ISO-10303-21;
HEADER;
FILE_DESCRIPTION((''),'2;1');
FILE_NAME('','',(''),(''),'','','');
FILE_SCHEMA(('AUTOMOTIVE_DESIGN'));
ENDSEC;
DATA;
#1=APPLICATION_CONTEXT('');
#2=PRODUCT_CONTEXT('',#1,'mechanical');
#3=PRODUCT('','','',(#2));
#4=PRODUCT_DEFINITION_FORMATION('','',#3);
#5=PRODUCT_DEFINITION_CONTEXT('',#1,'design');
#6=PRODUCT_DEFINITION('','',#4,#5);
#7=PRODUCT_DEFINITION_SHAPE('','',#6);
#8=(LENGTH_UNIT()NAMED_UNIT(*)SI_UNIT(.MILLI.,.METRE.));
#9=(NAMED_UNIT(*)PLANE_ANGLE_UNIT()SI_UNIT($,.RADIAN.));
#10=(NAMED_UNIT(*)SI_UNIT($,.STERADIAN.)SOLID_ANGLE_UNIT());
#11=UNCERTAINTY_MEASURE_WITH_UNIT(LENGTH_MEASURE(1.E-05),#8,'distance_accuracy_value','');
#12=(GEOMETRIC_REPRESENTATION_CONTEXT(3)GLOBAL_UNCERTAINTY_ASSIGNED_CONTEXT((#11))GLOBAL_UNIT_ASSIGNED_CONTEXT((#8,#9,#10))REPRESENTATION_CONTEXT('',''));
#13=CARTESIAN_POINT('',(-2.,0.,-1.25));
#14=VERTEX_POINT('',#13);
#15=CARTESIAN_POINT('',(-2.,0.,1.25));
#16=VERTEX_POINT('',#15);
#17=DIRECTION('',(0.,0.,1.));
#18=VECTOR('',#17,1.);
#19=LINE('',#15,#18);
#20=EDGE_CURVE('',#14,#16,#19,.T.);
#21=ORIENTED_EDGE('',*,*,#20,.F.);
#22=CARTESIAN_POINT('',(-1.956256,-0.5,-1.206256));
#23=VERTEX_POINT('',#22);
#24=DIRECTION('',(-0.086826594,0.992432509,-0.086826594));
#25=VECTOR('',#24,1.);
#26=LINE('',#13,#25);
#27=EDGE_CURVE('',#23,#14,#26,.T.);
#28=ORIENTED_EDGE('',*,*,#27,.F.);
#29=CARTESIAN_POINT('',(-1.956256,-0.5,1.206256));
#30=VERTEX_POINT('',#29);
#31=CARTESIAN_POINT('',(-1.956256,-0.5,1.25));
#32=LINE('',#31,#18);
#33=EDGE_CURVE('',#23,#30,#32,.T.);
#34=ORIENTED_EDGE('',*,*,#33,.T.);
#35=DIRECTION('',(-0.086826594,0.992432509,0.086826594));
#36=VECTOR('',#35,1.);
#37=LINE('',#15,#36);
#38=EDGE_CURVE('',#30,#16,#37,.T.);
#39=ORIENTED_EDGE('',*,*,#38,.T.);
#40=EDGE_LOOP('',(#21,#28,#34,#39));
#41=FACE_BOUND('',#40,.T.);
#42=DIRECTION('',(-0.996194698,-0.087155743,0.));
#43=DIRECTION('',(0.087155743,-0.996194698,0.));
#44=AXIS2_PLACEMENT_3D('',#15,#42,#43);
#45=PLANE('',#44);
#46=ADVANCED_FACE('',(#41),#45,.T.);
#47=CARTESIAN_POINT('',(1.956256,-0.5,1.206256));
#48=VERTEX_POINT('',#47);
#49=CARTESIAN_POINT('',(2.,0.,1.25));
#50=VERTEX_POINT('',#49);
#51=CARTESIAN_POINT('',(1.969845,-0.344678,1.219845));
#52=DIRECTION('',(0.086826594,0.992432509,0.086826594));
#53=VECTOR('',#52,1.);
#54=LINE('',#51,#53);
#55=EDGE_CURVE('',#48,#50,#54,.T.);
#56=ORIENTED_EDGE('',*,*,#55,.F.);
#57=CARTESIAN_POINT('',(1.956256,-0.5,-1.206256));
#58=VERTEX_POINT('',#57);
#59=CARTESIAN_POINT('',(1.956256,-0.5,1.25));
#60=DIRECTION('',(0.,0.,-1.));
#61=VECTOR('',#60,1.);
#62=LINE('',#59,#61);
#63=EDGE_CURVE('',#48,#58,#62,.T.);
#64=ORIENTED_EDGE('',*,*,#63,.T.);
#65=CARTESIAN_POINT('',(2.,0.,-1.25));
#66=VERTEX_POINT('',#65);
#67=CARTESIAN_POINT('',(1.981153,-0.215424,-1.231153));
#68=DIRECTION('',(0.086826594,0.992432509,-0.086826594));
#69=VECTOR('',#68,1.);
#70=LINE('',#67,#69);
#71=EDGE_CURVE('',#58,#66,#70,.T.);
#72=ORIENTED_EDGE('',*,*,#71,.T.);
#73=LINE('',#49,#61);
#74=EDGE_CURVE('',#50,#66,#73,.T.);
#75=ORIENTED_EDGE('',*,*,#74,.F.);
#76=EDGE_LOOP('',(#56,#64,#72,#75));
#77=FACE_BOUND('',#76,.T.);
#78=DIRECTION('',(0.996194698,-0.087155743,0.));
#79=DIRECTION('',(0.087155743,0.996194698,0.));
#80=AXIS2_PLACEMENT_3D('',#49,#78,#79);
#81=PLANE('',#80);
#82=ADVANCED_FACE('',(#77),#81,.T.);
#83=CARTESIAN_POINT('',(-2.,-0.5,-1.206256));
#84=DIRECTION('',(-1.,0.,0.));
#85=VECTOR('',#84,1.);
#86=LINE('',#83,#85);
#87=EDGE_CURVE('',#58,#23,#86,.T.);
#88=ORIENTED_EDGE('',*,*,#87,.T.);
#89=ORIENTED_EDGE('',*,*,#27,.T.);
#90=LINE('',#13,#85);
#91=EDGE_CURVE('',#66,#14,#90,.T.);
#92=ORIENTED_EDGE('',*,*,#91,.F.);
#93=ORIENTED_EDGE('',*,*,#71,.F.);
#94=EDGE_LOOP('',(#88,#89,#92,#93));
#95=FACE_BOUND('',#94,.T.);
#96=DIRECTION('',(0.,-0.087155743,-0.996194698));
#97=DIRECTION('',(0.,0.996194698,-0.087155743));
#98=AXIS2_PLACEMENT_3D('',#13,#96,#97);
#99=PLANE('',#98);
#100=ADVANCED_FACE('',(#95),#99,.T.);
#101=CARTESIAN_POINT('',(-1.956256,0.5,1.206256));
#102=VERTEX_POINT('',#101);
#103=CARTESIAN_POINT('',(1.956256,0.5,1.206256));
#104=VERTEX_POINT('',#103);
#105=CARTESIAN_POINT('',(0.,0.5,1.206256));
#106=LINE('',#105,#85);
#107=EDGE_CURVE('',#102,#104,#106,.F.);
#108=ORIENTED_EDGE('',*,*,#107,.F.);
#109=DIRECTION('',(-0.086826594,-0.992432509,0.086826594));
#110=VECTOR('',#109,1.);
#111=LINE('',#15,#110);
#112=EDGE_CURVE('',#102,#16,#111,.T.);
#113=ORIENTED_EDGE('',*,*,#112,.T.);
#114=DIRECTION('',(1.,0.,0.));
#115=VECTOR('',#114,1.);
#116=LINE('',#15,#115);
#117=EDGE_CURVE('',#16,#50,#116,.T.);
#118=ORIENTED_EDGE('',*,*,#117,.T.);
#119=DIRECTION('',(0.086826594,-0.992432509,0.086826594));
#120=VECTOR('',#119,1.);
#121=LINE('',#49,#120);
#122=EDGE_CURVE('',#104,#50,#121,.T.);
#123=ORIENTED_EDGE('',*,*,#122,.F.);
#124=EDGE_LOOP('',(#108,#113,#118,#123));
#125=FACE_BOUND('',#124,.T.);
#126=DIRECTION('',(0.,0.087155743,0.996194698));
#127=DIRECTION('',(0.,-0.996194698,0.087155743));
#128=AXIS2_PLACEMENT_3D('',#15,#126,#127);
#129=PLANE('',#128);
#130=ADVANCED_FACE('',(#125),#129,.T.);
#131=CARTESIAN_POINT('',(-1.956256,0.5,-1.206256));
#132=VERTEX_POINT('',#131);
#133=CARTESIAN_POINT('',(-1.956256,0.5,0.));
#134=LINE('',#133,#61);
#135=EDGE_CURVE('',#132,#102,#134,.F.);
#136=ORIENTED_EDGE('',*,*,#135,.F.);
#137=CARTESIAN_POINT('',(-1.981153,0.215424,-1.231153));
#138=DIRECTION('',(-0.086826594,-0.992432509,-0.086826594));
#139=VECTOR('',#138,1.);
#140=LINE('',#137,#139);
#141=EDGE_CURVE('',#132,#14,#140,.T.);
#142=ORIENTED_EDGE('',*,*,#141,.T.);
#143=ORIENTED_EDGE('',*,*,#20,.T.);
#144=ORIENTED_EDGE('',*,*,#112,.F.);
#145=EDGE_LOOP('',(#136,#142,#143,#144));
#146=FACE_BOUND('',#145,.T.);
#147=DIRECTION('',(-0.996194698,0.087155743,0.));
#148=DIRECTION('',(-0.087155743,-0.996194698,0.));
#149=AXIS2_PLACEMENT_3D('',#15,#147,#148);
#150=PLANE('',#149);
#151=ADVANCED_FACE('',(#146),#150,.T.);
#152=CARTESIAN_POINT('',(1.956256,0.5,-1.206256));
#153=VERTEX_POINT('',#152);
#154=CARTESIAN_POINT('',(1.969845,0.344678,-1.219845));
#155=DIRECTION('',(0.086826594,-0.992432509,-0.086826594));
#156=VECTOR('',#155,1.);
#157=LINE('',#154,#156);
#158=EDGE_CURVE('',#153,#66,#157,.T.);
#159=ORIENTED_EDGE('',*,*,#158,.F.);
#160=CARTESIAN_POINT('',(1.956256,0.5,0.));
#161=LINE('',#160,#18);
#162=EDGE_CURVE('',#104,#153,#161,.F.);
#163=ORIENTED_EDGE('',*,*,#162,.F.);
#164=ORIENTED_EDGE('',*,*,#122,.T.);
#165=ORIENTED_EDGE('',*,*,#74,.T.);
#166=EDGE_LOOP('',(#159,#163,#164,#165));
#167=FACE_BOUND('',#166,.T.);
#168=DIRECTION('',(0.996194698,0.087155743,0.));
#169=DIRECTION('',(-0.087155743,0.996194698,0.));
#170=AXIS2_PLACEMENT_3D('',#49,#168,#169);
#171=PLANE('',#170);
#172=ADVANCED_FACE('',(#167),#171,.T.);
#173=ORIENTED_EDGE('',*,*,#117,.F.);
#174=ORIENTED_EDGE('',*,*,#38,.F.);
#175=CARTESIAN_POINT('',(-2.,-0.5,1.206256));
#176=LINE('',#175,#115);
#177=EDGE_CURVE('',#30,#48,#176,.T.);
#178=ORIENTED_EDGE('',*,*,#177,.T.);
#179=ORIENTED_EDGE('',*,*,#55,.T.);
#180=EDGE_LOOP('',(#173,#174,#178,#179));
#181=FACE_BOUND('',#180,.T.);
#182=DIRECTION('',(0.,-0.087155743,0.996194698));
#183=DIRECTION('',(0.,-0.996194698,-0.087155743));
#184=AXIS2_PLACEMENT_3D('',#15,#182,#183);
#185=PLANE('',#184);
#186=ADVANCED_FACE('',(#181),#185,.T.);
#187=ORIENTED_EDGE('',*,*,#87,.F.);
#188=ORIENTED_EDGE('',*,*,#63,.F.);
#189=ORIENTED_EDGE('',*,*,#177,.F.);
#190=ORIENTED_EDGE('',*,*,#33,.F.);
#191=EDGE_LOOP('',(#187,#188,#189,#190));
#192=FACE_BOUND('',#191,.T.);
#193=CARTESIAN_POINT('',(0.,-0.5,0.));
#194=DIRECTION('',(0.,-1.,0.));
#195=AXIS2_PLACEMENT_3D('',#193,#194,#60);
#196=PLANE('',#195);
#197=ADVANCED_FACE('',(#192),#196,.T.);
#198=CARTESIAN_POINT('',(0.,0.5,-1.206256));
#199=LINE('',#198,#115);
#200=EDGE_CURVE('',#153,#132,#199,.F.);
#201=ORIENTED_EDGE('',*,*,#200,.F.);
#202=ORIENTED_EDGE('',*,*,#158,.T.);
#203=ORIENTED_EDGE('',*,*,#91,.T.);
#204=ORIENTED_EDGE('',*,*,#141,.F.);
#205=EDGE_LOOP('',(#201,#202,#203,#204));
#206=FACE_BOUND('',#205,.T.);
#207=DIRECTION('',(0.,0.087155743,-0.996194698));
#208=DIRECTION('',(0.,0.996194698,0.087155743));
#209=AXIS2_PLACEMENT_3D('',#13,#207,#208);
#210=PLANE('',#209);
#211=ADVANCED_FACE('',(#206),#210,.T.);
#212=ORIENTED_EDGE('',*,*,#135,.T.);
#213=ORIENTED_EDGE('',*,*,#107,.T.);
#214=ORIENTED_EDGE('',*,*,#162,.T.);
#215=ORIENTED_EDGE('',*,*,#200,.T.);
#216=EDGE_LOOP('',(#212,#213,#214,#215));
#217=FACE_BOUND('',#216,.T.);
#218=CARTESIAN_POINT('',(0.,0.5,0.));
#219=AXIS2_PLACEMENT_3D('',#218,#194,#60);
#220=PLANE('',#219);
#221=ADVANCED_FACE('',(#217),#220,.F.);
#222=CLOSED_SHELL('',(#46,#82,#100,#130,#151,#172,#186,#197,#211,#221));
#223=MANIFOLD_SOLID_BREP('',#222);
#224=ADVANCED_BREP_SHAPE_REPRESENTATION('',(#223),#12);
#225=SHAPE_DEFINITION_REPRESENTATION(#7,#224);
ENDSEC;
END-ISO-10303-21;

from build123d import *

# Parameters (mm, degrees)
SKETCH1_W                     = 4
SKETCH1_H                     = 2.5
BOSS_EXTRUDE1_DEPTH           = 0.5
BOSS_EXTRUDE1_TAPER           = 5
BOSS_EXTRUDE1_OTHER_WAY_DEPTH = 0.5
BOSS_EXTRUDE1_OTHER_WAY_TAPER = 5


with BuildPart() as part:
    # Sketch1 → Boss-Extrude1 (new body)
    with BuildSketch(Plane(origin=(0, 0, 0), x_dir=(1, 0, 0), z_dir=(0, 1, 0))):
        Rectangle(SKETCH1_W, SKETCH1_H)
    extrude(amount=BOSS_EXTRUDE1_DEPTH, taper=BOSS_EXTRUDE1_TAPER)

    # Sketch1 → Boss-Extrude1 other way (add)
    with BuildSketch(Plane(origin=(0, 0, 0), x_dir=(1, 0, 0), z_dir=(0, 1, 0))):
        Rectangle(SKETCH1_W, SKETCH1_H)
    extrude(amount=-BOSS_EXTRUDE1_OTHER_WAY_DEPTH, taper=BOSS_EXTRUDE1_OTHER_WAY_TAPER)


solid = part.part
